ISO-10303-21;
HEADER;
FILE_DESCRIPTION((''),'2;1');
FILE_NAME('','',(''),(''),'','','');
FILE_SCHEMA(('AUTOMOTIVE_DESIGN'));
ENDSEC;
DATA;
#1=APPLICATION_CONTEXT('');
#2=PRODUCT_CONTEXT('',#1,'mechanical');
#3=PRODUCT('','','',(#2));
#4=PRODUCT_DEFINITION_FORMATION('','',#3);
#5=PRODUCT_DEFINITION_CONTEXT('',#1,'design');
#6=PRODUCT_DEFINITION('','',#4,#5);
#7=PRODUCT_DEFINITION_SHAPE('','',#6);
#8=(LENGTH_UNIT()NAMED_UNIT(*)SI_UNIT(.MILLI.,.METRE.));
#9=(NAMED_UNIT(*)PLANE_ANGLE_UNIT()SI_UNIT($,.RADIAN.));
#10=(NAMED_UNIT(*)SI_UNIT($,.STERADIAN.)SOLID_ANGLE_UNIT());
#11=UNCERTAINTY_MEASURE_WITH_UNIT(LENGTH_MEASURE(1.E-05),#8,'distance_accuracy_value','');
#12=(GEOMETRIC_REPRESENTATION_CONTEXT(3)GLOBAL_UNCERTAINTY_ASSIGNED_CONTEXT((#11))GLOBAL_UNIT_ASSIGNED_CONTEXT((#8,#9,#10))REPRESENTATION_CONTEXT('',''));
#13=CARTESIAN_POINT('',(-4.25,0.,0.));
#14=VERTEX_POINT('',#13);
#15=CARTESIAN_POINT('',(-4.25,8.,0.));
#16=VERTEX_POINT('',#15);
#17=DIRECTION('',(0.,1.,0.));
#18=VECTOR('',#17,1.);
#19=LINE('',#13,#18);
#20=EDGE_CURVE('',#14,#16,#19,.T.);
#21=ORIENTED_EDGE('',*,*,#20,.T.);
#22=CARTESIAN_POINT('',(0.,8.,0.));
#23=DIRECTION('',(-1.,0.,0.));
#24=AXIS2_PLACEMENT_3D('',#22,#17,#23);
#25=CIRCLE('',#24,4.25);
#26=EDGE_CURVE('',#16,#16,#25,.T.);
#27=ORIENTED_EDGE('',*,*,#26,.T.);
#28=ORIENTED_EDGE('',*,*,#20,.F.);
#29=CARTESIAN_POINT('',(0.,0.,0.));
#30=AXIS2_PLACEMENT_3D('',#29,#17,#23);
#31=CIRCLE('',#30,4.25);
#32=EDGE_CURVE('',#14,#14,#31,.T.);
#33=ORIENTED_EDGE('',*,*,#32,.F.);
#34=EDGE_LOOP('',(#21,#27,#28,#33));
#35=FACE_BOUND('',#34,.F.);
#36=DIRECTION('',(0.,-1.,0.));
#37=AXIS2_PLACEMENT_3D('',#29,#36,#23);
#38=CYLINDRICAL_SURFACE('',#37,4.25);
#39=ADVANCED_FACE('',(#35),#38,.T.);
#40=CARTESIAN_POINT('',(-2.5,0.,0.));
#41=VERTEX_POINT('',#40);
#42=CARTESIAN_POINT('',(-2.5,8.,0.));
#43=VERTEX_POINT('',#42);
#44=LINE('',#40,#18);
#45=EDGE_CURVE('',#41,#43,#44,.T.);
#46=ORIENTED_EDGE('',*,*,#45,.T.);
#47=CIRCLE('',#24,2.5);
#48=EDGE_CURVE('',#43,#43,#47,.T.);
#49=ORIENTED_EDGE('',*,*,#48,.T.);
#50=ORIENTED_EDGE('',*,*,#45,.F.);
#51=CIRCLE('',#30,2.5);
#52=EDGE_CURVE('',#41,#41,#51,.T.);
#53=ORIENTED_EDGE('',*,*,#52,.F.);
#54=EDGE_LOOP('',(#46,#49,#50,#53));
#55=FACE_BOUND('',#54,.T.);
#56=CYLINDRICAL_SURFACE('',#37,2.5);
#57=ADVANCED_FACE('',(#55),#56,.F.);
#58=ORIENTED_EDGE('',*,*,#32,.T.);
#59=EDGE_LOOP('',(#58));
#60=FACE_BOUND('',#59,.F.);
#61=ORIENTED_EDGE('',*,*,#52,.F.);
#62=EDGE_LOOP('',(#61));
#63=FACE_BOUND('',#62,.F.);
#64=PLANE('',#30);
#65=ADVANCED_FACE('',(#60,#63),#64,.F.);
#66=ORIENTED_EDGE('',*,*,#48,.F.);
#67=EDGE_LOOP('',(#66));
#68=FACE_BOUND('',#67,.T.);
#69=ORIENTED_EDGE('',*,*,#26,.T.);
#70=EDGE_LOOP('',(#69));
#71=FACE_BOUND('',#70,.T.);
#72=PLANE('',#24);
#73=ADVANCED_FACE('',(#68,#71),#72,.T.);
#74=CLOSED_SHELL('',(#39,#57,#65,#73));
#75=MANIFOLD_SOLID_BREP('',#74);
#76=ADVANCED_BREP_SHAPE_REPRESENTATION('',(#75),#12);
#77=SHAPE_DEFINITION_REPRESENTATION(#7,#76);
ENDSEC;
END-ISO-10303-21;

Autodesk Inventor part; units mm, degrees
ref_plane "YZ Plane" through (0, 0, 0) normal (1, 0, 0) x (0, 1, 0)
ref_plane "XZ Plane" through (0, 0, 0) normal (0, 1, 0) x (-1, 0, 0)
ref_plane "XY Plane" through (0, 0, 0) normal (0, 0, 1) x (1, 0, 0)
sketch "Sketch1" plane through (0, 0, 0) normal (0, 1, 0) x (-1, 0, 0)
  circle A0 centre (0, 0) radius 2.5
  circle A1 centre (0, 0) radius 4.25
  dimension "d0" = 5
  dimension "d1" = 8.5
extrude "Extrusion1" add sketch "Sketch1" along normal blind 8
properties part number "nozzle-5mm-dip"
